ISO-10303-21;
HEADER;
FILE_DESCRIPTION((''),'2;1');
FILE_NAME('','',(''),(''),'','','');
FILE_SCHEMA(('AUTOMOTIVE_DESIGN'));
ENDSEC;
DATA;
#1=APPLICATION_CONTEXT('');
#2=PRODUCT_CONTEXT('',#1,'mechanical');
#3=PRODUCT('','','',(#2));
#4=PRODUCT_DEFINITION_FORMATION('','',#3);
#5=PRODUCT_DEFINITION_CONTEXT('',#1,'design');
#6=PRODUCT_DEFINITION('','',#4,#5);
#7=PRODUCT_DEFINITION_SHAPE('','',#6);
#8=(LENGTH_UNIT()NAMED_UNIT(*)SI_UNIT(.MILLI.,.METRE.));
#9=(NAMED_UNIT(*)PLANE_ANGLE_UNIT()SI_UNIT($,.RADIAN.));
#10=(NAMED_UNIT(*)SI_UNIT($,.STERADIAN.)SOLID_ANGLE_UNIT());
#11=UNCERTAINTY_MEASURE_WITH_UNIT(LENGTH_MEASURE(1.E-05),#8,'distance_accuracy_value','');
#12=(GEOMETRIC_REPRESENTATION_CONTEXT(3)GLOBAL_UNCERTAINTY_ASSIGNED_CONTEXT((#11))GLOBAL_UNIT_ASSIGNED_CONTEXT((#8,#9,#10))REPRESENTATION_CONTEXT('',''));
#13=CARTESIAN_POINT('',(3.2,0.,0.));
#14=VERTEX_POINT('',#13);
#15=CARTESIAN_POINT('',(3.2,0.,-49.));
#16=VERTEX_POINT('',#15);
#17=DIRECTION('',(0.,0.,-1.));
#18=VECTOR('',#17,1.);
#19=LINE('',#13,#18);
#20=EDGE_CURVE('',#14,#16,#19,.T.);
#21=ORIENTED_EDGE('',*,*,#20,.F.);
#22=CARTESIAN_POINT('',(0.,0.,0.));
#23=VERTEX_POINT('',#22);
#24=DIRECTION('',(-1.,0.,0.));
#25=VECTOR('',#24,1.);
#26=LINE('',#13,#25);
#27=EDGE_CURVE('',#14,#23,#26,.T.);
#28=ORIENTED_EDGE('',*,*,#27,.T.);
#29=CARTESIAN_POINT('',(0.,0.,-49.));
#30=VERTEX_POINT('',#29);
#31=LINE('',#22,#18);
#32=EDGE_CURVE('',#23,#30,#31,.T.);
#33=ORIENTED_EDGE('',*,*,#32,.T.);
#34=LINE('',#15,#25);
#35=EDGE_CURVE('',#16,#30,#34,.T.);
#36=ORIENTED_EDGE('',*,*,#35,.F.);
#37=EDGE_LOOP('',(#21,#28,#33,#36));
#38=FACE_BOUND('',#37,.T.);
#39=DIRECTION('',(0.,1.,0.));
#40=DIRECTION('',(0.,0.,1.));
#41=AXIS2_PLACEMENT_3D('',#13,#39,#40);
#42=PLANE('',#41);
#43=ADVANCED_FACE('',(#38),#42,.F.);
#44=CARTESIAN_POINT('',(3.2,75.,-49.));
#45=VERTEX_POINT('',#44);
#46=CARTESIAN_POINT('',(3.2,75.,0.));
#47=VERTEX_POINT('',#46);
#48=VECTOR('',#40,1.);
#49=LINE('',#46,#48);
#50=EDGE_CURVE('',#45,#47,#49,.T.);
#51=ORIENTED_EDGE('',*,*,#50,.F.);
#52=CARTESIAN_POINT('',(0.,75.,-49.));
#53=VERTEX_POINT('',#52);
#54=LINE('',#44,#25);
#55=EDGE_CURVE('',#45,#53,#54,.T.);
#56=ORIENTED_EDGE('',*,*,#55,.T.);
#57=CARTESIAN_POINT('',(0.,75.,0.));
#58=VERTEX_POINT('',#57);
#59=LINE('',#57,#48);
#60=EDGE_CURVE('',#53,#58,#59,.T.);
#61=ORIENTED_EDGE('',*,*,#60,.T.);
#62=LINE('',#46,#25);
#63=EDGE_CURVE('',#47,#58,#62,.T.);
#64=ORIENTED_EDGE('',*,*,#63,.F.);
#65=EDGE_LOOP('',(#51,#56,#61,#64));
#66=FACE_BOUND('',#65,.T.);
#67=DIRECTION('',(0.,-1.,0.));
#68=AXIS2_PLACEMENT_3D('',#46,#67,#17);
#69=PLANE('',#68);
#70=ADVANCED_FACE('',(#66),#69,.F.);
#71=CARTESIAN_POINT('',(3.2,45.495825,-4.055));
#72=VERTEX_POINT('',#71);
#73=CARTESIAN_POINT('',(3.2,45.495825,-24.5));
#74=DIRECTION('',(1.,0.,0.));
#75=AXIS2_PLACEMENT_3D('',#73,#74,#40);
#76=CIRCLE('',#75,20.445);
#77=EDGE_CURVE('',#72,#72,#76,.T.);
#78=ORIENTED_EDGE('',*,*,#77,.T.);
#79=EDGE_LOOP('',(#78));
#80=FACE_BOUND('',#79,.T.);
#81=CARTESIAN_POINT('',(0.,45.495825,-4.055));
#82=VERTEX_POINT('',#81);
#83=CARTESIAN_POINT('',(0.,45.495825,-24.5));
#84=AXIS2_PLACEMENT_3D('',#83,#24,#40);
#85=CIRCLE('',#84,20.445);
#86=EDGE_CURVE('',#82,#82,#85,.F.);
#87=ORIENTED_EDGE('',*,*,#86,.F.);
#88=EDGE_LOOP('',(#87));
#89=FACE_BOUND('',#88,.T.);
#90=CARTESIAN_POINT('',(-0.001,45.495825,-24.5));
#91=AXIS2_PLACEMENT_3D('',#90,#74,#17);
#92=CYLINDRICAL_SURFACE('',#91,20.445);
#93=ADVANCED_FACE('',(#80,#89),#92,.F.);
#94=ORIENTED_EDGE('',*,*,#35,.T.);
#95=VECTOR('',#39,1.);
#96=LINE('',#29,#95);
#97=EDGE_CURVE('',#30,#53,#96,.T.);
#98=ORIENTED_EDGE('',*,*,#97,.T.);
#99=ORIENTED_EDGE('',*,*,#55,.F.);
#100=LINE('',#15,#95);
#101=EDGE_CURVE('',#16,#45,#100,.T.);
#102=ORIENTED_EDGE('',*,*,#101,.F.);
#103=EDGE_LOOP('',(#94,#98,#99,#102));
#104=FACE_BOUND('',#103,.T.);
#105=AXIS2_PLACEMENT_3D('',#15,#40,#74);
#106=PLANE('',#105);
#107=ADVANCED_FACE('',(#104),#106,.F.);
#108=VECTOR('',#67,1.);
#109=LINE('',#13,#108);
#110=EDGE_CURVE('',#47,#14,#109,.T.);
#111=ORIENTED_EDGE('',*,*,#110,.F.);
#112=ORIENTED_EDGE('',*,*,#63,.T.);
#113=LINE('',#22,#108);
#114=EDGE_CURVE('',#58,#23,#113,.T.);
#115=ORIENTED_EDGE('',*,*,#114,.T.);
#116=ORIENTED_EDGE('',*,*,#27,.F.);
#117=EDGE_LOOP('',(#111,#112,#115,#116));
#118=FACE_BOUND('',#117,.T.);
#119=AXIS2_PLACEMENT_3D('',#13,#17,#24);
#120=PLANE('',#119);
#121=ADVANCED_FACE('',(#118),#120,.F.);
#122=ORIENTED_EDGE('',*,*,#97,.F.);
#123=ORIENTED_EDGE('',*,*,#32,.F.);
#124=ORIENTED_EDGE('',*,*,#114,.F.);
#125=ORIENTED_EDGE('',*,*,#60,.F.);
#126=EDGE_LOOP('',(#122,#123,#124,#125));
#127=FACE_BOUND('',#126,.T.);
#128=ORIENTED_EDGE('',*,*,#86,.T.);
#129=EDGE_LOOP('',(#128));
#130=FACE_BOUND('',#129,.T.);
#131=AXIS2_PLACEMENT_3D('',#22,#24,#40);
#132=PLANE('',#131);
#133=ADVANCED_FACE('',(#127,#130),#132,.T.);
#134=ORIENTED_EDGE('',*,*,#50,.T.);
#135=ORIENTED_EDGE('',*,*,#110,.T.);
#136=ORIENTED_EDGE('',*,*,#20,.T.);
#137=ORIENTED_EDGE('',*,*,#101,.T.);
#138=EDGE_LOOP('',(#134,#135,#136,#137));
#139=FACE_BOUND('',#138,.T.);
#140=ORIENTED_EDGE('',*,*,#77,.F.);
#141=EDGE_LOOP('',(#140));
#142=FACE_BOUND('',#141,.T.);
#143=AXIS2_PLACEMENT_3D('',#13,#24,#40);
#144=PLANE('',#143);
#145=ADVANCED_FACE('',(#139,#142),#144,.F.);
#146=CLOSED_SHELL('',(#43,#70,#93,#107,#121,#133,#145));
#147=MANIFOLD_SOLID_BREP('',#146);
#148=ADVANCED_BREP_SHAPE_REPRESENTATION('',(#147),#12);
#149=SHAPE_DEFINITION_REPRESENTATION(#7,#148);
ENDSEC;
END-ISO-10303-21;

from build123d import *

# Parameters (mm, degrees)
SKETCH1_W           = 49
SKETCH1_H           = 75
BOSS_EXTRUDE1_DEPTH = 3.2
CUT_EXTRUDE1_REACH  = 5.2
SKETCH2_R           = 20.445


with BuildPart() as part:
    # Sketch1 → Boss-Extrude1 (new body)
    with BuildSketch(Plane(origin=(0, 0, 0), x_dir=(0, 0, -1), z_dir=(1, 0, 0))):
        with Locations((24.5, 37.5)):
            Rectangle(SKETCH1_W, SKETCH1_H)
    extrude(amount=BOSS_EXTRUDE1_DEPTH)

    # Sketch2 → Cut-Extrude1 (cut, up to next)
    with BuildSketch(Plane(origin=(3.2, 0, 0), x_dir=(0, 0, -1), z_dir=(1, 0, 0)), mode=Mode.PRIVATE) as cut_extrude1_sk1:
        with Locations((24.5, 45.495825453)):
            Circle(SKETCH2_R)
    cut_extrude1_tool1 = extrude(cut_extrude1_sk1.sketch, amount=-CUT_EXTRUDE1_REACH, mode=Mode.PRIVATE) & part.part
    add(cut_extrude1_tool1.solids().sort_by_distance((3.2, 45.495825, -24.5))[0], mode=Mode.SUBTRACT)


solid = part.part
